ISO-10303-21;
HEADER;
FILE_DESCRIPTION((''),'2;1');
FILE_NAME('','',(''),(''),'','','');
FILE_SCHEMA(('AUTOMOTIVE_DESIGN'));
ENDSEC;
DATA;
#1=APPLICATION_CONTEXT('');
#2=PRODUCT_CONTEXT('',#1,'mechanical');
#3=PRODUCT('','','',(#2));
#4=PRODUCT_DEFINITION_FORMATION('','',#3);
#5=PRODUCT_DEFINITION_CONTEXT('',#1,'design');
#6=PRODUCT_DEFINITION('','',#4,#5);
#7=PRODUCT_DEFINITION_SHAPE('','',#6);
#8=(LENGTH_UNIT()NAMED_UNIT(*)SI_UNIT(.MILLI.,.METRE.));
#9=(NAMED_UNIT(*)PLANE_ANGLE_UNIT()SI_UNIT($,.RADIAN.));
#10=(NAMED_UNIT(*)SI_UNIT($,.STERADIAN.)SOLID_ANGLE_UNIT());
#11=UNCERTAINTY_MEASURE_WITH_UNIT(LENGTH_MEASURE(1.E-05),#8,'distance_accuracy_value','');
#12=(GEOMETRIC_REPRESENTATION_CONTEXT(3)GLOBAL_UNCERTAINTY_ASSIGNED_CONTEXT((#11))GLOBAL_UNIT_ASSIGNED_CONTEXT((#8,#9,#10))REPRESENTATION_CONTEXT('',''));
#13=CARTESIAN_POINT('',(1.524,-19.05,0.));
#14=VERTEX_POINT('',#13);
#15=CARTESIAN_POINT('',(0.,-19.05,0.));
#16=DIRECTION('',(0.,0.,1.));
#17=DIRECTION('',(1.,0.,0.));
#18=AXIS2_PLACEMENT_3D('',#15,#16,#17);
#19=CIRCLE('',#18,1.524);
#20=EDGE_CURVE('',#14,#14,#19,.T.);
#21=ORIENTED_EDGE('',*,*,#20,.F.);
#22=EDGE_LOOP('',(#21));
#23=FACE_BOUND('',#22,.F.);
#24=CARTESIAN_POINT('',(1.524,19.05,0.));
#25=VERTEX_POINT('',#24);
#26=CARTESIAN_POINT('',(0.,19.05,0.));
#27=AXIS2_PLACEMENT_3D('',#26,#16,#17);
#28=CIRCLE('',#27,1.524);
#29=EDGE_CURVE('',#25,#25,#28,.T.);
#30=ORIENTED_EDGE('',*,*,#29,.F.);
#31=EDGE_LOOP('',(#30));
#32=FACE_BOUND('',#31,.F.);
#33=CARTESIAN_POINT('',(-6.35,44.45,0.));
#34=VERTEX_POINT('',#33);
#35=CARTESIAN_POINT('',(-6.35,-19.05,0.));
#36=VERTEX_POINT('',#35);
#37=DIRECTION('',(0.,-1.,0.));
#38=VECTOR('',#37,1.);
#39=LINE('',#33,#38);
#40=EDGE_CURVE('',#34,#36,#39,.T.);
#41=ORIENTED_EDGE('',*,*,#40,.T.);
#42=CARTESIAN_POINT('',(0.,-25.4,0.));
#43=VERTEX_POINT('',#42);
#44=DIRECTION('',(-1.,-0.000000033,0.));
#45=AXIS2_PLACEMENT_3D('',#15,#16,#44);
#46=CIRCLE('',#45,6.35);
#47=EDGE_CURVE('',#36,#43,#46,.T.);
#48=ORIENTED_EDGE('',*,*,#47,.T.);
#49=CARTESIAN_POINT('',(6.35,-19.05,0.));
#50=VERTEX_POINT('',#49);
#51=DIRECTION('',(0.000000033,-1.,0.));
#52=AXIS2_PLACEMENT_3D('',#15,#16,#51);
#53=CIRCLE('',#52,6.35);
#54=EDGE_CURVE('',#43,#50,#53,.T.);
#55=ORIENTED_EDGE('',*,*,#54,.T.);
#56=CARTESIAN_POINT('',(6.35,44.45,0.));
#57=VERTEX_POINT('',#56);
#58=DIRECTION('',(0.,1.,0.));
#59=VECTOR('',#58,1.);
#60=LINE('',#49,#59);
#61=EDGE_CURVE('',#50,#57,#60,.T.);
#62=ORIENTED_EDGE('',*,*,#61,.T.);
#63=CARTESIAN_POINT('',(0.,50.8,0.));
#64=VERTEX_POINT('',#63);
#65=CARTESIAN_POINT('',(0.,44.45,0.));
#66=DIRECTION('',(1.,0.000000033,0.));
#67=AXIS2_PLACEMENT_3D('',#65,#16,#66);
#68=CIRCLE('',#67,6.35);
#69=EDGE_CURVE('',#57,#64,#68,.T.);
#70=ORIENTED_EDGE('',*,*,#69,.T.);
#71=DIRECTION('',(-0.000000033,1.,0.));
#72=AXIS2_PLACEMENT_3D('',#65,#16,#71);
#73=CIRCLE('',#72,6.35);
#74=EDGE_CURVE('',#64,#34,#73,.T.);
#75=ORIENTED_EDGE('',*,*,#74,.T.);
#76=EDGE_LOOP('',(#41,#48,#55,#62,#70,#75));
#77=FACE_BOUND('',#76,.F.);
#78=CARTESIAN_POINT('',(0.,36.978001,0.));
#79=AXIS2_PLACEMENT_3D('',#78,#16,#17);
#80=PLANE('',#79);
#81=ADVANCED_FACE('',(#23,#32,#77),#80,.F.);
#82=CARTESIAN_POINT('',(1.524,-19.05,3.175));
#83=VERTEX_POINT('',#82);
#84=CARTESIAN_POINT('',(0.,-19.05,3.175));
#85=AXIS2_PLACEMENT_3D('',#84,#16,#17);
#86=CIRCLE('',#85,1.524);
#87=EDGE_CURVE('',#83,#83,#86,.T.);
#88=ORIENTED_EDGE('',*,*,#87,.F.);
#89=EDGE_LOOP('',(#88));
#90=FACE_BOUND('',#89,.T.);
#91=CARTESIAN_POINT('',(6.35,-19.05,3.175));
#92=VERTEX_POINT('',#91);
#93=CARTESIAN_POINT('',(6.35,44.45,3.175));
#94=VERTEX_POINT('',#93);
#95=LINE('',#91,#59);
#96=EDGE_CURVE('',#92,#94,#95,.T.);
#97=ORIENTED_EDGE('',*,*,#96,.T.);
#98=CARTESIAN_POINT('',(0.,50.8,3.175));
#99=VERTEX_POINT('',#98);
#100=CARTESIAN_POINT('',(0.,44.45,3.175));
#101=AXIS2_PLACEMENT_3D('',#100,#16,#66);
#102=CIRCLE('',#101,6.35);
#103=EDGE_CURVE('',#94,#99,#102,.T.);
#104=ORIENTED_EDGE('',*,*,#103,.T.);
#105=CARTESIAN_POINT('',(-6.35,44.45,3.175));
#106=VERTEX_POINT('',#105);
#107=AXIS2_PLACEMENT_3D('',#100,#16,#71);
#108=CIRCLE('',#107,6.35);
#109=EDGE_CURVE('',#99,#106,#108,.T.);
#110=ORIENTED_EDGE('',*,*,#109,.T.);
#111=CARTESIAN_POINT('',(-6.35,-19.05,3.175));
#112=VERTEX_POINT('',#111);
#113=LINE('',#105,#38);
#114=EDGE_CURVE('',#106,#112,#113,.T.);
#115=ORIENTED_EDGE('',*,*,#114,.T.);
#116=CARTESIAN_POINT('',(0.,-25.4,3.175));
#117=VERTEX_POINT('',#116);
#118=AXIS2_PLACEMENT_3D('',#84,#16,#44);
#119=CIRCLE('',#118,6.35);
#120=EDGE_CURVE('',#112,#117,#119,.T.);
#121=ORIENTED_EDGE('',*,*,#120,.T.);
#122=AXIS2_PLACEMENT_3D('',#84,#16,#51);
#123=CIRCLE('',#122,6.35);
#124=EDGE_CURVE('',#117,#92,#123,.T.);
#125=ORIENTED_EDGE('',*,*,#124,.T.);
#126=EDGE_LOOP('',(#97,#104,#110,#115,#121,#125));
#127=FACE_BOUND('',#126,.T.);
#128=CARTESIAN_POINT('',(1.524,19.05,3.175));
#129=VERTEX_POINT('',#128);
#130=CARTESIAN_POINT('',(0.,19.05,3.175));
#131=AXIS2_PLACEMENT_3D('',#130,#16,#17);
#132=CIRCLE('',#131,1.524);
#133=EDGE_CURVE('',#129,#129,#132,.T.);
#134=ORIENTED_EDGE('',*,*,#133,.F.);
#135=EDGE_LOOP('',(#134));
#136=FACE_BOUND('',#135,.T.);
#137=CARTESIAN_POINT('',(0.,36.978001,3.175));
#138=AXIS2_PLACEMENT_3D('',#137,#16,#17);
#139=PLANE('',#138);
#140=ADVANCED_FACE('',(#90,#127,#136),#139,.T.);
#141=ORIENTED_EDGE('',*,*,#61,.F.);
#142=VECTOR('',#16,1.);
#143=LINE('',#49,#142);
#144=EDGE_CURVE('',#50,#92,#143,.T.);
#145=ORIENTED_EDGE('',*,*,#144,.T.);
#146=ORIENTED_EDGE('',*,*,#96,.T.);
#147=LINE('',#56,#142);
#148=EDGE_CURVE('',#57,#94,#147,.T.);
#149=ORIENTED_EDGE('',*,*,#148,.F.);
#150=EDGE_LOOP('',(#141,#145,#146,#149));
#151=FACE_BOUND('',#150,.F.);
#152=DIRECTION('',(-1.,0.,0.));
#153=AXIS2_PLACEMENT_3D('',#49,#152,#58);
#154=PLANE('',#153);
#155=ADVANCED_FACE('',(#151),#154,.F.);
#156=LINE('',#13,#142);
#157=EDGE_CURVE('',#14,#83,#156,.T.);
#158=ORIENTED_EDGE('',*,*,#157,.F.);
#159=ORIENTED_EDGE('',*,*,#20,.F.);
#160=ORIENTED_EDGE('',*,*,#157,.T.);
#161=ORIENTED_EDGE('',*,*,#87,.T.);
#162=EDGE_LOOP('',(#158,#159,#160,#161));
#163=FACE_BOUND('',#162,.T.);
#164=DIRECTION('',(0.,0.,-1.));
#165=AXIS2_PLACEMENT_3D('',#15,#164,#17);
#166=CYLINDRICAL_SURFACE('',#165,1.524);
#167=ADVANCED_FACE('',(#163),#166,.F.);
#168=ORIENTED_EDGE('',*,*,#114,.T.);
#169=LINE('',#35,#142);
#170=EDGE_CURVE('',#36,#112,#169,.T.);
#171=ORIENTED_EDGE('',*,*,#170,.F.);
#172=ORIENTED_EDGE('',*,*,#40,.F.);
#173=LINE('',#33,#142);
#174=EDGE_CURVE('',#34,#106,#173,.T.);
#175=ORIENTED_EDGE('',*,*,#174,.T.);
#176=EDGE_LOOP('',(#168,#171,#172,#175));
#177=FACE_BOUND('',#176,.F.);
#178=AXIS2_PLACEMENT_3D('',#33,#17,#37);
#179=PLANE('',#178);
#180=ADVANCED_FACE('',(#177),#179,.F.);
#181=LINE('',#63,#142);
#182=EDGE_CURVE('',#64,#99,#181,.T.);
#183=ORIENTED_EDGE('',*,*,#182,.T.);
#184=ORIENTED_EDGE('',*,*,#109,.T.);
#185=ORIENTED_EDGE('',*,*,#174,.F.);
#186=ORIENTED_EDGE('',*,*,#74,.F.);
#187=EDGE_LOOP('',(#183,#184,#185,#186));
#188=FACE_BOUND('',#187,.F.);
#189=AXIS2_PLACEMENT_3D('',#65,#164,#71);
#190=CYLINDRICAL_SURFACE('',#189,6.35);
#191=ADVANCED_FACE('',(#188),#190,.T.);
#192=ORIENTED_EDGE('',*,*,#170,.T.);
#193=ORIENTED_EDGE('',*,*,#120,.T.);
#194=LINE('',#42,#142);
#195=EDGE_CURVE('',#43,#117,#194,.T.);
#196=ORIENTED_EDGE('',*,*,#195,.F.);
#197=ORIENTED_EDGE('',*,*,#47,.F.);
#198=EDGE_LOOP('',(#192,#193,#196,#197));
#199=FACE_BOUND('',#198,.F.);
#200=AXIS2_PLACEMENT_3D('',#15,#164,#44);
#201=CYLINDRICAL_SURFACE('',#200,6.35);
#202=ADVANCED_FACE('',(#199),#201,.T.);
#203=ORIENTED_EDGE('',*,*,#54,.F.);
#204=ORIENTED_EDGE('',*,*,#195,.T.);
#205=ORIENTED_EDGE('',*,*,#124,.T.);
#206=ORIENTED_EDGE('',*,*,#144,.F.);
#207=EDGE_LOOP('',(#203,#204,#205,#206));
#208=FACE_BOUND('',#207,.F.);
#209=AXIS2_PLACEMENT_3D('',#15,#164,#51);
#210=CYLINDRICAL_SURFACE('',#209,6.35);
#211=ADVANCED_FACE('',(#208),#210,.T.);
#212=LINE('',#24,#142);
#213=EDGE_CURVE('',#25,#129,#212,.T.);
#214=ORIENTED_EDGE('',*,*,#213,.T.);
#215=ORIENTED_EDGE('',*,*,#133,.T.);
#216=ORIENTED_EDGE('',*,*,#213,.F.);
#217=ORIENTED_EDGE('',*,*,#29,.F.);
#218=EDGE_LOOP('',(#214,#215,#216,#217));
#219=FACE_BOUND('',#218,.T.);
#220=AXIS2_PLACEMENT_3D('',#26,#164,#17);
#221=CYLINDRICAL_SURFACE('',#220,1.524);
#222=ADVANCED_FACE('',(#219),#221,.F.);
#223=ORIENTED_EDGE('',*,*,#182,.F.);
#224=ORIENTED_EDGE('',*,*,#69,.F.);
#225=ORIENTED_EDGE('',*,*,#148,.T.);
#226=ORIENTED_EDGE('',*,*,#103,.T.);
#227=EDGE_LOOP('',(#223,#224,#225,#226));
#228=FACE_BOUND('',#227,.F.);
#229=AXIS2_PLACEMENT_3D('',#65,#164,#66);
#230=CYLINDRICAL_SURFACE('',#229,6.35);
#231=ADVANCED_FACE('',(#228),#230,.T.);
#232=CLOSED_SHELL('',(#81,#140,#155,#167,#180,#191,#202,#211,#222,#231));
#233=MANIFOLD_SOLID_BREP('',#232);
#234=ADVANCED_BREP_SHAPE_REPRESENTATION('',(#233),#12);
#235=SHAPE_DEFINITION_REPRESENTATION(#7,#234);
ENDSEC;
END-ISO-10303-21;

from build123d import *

# Parameters (mm, degrees)
F0_R     = 1.524
F1_DEPTH = 3.175


with BuildPart() as f1:
    # F0 (on Top) → F1 (new body)
    with BuildSketch(Plane.XY):
        with BuildLine():
            Line((-6.35, 25.4), (6.35, 25.4))
            Line((6.35, 25.4), (6.35, 44.45))
            ThreePointArc((6.35, 44.45), (4.490128, 48.940128), (0, 50.8))
            ThreePointArc((0, 50.8), (-4.490128, 48.940128), (-6.35, 44.45))
            Line((-6.35, 44.45), (-6.35, 25.4))
        make_face()
        with BuildLine():
            Line((6.35, -19.05), (6.35, 25.4))
            Line((6.35, 25.4), (-6.35, 25.4))
            Line((-6.35, 25.4), (-6.35, -19.05))
            ThreePointArc((-6.35, -19.05), (-4.490128, -23.540128), (0, -25.4))
            ThreePointArc((0, -25.4), (4.490128, -23.540128), (6.35, -19.05))
        make_face()
        with Locations((0, -19.05)):
            Circle(F0_R, mode=Mode.SUBTRACT)
        with Locations((0, 19.05)):
            Circle(F0_R, mode=Mode.SUBTRACT)
    extrude(amount=F1_DEPTH)


solid = f1.part
